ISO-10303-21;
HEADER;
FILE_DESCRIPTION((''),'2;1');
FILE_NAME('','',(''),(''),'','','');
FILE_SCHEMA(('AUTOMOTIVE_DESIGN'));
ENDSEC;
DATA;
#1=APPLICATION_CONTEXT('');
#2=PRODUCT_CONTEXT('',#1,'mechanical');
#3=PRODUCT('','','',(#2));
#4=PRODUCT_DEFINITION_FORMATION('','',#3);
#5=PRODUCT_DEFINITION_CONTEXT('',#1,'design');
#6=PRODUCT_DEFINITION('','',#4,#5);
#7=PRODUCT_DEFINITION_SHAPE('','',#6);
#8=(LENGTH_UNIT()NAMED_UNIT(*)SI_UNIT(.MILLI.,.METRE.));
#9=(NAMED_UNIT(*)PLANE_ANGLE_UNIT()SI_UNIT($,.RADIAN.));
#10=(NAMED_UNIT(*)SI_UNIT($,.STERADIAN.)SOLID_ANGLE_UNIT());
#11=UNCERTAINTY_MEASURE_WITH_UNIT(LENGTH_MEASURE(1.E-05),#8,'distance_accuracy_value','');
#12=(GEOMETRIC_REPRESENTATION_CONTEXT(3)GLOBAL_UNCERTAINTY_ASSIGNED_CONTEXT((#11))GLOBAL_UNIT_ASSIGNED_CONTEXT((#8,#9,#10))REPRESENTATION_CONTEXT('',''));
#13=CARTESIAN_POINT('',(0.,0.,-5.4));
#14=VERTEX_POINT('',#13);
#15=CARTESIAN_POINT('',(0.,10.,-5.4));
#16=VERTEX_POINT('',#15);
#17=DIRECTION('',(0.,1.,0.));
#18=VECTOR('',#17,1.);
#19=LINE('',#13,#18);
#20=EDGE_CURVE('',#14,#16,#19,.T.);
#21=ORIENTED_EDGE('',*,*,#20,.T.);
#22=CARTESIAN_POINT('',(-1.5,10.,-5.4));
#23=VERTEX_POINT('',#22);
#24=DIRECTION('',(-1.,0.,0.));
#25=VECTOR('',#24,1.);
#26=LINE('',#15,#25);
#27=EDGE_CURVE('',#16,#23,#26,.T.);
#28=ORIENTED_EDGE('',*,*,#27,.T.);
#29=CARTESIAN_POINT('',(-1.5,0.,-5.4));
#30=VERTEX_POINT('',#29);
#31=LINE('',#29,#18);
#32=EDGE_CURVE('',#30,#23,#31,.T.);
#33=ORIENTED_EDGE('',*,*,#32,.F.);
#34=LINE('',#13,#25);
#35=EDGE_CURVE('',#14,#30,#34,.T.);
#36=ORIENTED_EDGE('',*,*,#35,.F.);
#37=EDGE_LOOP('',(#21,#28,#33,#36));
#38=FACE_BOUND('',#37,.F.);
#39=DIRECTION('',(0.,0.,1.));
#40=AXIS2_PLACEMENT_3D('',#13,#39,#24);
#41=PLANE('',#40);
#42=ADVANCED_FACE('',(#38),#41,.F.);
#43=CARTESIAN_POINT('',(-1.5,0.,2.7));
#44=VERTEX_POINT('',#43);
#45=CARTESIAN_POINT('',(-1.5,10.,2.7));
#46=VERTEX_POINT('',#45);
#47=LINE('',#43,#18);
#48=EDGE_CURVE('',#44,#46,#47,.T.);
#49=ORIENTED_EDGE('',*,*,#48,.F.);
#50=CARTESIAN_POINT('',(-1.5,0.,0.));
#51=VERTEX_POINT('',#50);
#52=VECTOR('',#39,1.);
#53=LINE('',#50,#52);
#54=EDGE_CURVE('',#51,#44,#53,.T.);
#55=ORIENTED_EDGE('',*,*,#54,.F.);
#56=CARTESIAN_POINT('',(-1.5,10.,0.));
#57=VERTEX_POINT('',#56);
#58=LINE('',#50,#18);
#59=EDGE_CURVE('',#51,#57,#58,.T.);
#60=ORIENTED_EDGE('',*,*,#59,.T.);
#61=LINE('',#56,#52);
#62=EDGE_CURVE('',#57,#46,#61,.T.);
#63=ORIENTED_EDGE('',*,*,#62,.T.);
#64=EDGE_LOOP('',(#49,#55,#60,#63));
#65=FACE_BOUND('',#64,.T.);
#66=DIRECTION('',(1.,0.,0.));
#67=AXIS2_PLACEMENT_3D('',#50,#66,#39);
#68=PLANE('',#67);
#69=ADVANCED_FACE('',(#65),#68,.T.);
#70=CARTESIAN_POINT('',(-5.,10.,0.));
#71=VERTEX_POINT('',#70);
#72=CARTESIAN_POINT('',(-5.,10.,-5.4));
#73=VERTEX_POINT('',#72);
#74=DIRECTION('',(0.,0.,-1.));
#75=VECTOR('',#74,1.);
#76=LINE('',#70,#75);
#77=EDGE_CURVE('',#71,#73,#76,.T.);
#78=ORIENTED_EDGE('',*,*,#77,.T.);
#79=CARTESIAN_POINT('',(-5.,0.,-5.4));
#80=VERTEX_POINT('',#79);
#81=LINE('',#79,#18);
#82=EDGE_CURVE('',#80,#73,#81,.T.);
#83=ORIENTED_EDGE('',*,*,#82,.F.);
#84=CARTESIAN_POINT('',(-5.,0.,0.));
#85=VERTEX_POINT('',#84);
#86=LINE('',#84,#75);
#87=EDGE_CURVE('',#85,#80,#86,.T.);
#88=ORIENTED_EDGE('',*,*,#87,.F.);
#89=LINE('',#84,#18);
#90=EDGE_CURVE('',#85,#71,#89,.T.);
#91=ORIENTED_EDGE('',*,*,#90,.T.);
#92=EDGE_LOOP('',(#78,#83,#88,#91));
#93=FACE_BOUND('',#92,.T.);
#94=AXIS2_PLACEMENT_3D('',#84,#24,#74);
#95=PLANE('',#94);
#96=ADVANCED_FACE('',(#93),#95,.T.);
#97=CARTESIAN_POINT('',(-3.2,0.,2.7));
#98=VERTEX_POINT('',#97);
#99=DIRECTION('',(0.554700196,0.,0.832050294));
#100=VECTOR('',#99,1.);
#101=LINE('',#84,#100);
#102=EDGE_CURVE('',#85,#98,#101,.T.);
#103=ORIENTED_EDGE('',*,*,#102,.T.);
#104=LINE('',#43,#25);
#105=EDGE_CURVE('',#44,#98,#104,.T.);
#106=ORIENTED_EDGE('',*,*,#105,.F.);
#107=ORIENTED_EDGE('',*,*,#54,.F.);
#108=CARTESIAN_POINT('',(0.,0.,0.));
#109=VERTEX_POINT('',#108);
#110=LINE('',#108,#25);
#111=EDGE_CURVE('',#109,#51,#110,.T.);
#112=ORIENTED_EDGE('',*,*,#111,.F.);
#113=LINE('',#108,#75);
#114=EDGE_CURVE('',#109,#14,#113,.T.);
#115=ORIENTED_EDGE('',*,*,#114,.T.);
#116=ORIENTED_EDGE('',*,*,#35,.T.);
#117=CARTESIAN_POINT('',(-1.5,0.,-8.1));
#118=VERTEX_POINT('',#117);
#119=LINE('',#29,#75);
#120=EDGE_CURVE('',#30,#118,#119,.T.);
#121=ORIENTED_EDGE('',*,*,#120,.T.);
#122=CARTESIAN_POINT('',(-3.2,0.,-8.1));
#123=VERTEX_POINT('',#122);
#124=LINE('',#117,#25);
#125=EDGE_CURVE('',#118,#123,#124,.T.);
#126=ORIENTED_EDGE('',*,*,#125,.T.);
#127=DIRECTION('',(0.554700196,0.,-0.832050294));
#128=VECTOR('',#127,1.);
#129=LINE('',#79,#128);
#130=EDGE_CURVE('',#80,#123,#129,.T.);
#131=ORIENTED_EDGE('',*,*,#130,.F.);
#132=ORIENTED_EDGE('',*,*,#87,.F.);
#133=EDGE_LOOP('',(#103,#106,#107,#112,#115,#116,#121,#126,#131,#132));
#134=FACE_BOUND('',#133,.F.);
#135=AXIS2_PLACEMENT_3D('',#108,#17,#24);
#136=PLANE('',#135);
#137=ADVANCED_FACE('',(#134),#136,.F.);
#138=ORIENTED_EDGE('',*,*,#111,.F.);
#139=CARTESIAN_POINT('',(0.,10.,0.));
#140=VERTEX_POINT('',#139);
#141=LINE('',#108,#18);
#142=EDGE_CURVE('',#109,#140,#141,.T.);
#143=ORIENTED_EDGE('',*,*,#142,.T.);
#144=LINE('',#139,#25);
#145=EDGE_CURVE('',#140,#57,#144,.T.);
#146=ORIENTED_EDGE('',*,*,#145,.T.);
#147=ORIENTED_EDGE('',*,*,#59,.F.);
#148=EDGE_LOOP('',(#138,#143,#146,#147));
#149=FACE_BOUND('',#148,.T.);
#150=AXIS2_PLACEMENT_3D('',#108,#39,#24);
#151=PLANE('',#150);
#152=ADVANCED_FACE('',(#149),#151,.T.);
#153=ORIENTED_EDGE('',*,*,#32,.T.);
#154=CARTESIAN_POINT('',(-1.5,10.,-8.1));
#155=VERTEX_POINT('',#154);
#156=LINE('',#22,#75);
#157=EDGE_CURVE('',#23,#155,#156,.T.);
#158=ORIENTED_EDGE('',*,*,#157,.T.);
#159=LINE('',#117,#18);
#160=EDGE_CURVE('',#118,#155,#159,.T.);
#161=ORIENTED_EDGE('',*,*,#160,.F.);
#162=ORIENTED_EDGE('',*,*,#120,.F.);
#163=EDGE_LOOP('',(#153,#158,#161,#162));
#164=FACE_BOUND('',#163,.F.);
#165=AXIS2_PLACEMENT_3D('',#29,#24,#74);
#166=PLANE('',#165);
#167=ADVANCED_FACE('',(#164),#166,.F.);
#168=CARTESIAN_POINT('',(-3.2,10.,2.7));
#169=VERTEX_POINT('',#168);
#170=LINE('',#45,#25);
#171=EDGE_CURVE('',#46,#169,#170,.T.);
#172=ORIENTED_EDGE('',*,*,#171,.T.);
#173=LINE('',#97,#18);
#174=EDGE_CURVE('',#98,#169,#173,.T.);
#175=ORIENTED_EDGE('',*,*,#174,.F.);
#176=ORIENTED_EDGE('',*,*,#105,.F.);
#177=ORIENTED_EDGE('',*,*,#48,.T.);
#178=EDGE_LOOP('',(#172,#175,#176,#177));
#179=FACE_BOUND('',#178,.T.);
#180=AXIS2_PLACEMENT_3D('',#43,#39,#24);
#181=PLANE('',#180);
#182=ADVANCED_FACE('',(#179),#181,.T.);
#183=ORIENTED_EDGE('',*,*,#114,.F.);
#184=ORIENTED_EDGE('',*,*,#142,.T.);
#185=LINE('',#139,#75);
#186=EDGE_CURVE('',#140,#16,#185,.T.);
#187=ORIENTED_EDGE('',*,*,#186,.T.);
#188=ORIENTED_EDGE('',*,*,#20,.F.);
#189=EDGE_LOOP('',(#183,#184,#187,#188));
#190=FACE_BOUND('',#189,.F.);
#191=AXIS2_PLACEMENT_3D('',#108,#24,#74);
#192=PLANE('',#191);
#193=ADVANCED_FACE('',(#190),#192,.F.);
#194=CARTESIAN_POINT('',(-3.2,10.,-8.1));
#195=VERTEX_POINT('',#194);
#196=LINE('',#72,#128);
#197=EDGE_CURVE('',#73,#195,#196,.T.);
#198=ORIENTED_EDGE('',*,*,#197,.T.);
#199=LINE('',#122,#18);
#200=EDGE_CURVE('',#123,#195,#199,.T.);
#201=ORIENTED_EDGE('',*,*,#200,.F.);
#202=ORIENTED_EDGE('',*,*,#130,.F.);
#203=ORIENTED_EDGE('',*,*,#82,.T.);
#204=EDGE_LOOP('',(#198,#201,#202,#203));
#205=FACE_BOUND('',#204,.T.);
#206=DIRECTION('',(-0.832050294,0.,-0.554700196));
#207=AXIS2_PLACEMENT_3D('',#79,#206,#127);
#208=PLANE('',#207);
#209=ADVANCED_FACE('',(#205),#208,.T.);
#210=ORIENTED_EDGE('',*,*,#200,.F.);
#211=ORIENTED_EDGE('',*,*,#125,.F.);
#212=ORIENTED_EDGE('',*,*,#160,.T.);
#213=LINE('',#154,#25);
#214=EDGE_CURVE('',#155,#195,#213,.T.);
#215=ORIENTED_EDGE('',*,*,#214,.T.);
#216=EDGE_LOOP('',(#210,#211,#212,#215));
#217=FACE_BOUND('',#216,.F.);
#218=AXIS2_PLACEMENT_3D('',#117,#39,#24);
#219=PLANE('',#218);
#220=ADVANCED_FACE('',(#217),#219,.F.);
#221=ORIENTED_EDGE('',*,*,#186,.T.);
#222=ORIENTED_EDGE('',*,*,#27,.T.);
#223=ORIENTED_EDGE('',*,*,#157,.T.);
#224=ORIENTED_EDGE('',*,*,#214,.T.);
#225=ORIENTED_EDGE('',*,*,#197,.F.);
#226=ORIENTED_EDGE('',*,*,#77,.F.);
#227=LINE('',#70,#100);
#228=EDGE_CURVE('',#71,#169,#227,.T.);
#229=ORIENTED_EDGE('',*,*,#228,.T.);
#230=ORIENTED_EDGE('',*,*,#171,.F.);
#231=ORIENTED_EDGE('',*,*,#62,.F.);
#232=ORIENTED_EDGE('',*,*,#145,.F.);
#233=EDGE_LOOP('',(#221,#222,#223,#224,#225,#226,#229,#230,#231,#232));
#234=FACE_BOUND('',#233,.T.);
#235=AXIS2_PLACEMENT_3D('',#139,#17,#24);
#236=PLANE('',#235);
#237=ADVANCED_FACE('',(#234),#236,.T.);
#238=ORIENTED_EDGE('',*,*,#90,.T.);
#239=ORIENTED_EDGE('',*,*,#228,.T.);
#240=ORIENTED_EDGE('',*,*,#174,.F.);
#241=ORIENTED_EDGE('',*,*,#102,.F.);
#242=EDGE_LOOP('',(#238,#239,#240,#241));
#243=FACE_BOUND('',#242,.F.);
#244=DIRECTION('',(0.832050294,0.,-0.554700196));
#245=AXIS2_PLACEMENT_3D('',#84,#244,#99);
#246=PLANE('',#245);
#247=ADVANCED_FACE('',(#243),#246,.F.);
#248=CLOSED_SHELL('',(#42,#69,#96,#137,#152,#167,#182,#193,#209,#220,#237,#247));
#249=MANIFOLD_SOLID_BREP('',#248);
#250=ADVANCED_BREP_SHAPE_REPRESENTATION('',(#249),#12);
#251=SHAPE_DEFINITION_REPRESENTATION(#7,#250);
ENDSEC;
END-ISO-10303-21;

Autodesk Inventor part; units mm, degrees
ref_plane "YZ Plane" through (0, 0, 0) normal (1, 0, 0) x (0, 1, 0)
ref_plane "XZ Plane" through (0, 0, 0) normal (0, 1, 0) x (-1, 0, 0)
ref_plane "XY Plane" through (0, 0, 0) normal (0, 0, 1) x (1, 0, 0)
sketch "Sketch1" plane through (0, 0, 0) normal (0, 1, 0) x (-1, 0, 0)
  line L0 (0, 0) -> (0, -5.4)
  line L1 (0, -5.4) -> (1.5, -5.4)
  line L2 (1.5, -5.4) -> (1.5, -8.1)
  line L3 (1.5, -8.1) -> (3.2, -8.1)
  line L4 (0, 0) -> (1.5, 0)
  line L5 (1.5, 0) -> (1.5, 2.7)
  line L6 (1.5, 2.7) -> (3.2, 2.7)
  line L7 (5, 0) -> (5, -5.4)
  line L8 (5, -5.4) -> (3.2, -8.1)
  line L9 (5, 0) -> (3.2, 2.7)
  dimension "d0" = 5.4
  dimension "d1" = 1.5
  dimension "d2" = 2.7
  dimension "d3" = 1.7
  dimension "d4" = 2.7
  dimension "d5" = 1.7
  dimension "d6" = 5
extrude "Extrusion1" add sketch "Sketch1" along normal blind 10
properties part number "test_slot"
